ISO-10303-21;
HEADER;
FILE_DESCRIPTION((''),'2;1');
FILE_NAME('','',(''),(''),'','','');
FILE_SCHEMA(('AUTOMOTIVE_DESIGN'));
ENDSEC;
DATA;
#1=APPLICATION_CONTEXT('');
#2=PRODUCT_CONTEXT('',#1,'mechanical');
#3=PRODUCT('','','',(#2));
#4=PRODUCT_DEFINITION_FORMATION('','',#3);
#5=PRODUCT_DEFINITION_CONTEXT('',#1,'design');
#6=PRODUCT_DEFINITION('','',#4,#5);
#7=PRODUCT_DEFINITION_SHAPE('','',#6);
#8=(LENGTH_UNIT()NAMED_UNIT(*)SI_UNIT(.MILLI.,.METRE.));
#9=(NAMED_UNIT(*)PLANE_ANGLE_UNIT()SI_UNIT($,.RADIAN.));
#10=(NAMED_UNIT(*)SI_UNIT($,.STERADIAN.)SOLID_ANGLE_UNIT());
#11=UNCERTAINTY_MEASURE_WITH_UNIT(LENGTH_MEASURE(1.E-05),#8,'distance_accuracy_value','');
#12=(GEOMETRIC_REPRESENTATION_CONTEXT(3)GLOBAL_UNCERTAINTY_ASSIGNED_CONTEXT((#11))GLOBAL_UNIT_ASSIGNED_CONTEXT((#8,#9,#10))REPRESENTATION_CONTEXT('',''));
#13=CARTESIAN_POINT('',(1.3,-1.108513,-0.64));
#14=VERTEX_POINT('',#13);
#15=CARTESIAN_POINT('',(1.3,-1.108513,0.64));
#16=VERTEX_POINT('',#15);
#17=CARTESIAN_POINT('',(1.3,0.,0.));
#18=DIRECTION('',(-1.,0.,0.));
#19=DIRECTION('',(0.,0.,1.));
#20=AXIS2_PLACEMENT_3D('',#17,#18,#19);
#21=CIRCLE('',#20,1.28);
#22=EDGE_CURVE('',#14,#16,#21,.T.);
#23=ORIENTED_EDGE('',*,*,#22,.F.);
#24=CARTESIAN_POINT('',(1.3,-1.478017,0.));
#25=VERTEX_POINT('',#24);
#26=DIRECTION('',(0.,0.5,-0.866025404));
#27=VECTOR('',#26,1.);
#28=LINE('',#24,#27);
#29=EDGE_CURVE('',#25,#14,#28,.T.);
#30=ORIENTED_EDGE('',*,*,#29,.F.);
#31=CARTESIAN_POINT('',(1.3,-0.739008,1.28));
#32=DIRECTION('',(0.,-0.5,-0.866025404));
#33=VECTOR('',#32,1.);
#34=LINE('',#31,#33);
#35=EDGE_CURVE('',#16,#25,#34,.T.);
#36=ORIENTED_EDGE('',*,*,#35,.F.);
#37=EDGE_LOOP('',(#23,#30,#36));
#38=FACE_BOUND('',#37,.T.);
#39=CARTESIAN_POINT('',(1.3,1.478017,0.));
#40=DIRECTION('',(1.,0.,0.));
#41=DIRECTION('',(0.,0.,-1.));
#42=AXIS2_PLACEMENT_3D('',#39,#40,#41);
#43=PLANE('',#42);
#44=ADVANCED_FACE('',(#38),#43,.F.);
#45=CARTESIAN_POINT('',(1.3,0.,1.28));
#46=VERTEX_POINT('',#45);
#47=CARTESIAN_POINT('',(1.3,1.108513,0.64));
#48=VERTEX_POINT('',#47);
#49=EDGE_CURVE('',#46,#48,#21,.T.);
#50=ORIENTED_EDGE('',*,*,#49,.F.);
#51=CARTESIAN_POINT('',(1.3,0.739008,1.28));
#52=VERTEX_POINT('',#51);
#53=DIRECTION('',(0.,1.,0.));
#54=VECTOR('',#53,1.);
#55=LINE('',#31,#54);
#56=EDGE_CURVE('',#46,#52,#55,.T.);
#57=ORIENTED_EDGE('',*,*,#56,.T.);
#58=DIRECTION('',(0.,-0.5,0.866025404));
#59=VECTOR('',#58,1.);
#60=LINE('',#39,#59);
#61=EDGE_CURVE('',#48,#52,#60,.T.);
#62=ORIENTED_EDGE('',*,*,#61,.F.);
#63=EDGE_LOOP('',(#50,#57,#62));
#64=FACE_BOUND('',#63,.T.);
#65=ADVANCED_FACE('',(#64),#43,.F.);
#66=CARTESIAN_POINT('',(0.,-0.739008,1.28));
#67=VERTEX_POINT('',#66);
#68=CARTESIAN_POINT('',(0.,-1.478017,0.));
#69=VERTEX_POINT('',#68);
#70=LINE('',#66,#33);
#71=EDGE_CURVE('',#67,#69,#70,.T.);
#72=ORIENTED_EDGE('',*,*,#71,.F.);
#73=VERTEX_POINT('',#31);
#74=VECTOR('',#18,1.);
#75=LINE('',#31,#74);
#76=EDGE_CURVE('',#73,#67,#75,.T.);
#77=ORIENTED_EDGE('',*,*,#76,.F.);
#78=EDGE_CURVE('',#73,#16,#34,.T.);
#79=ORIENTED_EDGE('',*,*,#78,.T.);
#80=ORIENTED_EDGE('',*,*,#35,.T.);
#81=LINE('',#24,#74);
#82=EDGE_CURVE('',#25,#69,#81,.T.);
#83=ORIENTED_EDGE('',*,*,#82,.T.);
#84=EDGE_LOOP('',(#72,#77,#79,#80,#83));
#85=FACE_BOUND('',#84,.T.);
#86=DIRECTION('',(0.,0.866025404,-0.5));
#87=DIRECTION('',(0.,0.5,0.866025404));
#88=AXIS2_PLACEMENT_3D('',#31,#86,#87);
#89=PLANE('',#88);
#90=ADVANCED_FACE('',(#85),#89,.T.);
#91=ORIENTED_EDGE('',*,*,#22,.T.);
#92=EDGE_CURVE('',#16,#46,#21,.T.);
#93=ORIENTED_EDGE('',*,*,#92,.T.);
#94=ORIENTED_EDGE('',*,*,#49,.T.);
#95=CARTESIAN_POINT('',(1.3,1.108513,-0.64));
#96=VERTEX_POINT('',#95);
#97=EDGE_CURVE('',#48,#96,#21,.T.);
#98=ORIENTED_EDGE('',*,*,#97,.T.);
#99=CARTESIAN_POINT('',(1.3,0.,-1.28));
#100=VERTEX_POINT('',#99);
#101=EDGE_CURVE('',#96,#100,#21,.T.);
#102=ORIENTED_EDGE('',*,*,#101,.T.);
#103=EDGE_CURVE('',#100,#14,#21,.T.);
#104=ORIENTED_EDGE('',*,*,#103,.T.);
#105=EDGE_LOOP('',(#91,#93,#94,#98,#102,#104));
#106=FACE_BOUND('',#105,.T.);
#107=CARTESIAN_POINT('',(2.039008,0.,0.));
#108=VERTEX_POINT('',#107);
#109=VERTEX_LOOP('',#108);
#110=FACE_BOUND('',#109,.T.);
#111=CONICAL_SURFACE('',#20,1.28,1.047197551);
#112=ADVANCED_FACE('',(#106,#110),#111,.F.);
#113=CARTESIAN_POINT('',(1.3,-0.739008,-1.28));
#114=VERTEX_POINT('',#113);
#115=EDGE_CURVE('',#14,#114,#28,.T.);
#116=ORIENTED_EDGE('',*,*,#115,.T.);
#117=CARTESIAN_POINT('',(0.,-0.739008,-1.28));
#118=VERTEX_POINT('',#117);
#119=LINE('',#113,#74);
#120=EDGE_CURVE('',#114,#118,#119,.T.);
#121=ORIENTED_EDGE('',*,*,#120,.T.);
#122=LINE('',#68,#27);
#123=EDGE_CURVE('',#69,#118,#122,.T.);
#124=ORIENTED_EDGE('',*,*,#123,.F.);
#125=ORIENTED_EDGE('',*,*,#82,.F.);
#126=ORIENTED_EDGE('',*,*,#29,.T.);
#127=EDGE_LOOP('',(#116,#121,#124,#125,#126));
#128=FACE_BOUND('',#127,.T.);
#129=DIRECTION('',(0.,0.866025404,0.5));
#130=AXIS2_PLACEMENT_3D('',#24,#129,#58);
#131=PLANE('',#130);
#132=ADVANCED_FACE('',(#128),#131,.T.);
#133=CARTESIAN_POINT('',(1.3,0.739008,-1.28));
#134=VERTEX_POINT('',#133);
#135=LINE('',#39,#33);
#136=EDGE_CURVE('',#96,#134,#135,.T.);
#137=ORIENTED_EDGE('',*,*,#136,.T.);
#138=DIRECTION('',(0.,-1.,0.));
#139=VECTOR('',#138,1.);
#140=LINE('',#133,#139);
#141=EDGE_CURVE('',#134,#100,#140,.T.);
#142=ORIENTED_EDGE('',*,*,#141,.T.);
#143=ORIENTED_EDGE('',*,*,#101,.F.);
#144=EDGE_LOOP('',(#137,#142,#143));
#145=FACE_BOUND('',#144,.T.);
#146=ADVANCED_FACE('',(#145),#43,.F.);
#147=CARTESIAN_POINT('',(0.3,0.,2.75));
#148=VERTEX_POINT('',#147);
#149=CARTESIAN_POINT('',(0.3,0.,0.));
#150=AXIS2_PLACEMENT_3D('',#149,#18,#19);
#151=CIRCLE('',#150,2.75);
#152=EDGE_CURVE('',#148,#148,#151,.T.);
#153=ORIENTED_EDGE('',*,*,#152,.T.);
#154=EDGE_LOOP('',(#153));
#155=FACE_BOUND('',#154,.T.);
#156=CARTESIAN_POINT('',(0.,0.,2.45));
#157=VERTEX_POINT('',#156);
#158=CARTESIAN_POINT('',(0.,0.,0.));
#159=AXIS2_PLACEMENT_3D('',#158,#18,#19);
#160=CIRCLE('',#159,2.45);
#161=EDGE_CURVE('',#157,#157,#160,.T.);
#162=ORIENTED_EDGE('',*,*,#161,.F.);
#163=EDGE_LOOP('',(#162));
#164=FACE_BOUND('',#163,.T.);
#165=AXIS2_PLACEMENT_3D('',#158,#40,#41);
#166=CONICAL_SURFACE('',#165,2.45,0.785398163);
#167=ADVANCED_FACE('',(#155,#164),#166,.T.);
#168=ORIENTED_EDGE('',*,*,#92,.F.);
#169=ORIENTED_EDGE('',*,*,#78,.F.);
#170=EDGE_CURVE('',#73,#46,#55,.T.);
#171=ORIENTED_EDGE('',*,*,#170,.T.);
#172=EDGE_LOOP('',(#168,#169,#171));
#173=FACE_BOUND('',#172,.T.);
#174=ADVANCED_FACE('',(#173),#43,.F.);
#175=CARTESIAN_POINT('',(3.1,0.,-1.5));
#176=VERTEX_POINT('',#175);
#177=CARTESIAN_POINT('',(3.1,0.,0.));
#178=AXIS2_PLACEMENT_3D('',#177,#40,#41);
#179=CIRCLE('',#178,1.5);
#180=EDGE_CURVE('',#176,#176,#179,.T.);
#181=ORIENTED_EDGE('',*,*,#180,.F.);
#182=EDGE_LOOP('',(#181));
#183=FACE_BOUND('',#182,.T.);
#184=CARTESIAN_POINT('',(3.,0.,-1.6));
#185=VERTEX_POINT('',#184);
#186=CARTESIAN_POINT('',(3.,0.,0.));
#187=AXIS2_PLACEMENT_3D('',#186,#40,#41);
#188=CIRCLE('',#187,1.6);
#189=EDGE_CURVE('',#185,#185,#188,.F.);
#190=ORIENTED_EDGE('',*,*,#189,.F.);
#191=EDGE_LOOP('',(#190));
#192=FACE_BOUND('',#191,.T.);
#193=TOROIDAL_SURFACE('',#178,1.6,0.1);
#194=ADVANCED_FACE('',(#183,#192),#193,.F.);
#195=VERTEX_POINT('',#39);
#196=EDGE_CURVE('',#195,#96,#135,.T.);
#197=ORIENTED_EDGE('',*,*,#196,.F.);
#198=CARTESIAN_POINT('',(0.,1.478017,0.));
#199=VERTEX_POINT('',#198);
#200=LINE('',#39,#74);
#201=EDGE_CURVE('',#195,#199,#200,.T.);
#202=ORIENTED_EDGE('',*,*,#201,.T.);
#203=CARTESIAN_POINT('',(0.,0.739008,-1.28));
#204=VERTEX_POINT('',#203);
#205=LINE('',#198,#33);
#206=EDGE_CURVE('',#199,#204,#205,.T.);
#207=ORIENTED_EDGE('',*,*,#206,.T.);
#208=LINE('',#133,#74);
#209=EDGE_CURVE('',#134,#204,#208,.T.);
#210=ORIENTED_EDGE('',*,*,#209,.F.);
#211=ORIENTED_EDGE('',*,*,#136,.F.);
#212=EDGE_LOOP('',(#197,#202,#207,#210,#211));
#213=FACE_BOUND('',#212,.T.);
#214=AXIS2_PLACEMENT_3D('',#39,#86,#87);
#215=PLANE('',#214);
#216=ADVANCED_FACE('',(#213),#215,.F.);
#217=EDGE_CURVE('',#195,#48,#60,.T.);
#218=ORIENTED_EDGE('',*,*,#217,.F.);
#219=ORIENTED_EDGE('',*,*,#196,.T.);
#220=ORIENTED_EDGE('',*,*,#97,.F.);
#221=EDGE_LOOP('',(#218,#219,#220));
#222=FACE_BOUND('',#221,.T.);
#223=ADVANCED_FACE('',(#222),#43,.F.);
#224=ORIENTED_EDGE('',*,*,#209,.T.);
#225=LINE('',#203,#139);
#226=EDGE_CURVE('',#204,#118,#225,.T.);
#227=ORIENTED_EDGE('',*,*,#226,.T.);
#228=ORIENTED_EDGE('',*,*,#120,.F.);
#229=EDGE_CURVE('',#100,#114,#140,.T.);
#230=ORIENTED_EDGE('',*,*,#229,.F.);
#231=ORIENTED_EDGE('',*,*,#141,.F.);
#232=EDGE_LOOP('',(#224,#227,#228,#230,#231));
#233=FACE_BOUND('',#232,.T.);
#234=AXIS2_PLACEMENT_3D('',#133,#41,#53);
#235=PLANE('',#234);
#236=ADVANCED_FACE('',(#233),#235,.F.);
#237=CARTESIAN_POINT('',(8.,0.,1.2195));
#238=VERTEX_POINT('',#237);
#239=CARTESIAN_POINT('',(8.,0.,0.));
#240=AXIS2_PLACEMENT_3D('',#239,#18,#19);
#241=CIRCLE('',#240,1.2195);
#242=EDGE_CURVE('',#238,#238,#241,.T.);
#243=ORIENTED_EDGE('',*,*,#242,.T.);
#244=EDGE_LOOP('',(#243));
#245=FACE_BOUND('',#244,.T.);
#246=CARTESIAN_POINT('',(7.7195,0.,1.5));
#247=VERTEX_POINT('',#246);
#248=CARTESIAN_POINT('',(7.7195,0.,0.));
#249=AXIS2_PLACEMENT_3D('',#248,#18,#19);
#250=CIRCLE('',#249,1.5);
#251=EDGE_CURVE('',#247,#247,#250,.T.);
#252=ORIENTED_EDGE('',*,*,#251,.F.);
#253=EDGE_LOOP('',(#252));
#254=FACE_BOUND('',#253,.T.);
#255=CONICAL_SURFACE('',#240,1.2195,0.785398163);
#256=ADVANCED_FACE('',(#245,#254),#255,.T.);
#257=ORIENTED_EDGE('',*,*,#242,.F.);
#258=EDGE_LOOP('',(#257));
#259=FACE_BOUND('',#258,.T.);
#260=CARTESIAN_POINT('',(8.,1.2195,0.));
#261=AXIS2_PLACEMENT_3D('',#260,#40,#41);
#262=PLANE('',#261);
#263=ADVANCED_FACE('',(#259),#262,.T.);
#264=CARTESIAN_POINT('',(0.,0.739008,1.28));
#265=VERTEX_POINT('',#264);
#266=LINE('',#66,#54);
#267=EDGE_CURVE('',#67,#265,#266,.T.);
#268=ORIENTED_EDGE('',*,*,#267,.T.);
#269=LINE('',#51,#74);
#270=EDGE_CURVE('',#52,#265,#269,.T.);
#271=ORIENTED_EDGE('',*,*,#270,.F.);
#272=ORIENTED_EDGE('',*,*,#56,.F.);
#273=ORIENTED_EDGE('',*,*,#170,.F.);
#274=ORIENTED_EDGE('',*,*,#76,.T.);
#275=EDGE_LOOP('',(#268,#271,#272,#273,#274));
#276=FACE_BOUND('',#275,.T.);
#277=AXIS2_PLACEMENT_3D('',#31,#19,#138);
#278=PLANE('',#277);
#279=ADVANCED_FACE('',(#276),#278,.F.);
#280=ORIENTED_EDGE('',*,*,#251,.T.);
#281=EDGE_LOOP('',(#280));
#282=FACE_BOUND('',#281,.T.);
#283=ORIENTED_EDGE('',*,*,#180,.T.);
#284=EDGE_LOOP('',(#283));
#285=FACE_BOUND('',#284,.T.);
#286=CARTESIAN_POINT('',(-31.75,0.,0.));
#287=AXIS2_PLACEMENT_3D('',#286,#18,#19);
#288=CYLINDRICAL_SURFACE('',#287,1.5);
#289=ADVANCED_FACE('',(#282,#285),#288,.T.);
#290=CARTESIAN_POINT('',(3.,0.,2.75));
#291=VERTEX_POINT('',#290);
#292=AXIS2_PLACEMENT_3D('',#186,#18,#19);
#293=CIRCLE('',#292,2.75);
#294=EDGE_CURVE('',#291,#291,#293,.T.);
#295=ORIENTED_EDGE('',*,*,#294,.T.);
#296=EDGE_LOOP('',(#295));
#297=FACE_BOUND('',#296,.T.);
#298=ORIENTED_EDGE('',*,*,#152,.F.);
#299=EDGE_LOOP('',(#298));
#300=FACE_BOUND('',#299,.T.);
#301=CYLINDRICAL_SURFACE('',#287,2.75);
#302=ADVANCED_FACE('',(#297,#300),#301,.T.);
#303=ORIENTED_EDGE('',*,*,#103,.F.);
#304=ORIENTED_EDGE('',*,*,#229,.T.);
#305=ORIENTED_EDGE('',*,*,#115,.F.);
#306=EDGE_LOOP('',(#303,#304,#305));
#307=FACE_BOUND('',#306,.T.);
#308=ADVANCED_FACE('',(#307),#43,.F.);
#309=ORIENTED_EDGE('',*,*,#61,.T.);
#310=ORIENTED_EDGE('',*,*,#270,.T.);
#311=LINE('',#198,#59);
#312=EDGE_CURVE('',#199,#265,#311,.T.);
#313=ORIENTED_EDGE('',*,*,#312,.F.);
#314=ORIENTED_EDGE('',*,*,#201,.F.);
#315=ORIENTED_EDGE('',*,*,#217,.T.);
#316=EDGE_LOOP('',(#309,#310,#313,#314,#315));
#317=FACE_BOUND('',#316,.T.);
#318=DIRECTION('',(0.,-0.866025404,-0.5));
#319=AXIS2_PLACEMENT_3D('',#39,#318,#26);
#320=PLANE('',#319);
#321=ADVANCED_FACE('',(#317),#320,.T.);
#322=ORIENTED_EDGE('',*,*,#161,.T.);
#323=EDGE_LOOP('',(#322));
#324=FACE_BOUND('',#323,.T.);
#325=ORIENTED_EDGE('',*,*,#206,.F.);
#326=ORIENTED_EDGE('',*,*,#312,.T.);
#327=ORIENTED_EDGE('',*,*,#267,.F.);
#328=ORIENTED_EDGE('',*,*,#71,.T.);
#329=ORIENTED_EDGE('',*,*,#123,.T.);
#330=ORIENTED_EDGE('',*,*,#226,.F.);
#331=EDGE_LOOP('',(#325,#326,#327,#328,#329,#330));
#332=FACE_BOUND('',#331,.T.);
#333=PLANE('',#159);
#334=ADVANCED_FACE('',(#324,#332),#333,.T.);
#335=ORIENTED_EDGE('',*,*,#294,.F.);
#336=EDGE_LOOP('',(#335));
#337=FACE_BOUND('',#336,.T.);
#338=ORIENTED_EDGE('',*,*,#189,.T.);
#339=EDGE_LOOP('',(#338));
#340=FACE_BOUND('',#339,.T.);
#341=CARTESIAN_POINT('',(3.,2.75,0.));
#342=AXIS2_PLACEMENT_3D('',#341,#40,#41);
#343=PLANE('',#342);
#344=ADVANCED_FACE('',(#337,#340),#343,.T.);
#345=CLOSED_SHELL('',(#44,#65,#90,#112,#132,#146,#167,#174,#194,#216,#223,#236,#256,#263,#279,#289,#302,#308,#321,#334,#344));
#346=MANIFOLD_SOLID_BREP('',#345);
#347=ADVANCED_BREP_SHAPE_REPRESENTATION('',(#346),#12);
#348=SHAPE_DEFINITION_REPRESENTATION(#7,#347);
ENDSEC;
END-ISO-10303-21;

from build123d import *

# Parameters (mm, degrees)
FILLET1_R   = 0.1
HEX_2_DEPTH = 1.3


with BuildPart() as part:
    # BodySke → Base-Revolve (revolve)
    with BuildSketch(Plane.XY):
        Polygon((0, 0), (0, 2.45), (0.3, 2.75), (3, 2.75), (3, 1.5), (7.7195, 1.5), (8, 1.2195), (8, 0), align=None)
    revolve(axis=Axis((-31.75, 0, 0), (1, 0, 0)))

    # Fillet1
    fillet1_edges = [part.edges().sort_by_distance(p)[0] for p in [
        (3, -1.5, 0),
    ]]
    fillet(fillet1_edges, radius=FILLET1_R)

    # Sketch2 → Hex-PreBroach (revolve, cut)
    with BuildSketch(Plane.XY):
        Polygon((0, 1.28), (1.3, 1.28), (2.039008345, 0), (0, 0), align=None)
    revolve(axis=Axis((0, 0, 0), (1, 0, 0)), mode=Mode.SUBTRACT)

    # Sketch3 → Hex 2 (cut)
    with BuildSketch(Plane(origin=(0, 0, 0), x_dir=(0, 0.5, 0.866025404), z_dir=(-1, 0, 0))):
        Polygon((0.739008345, 1.28), (-0.739008345, 1.28), (-1.478016689, 0), (-0.739008345, -1.28), (0.739008345, -1.28), (1.478016689, 0), align=None)
    extrude(amount=-HEX_2_DEPTH, mode=Mode.SUBTRACT)


solid = part.part
